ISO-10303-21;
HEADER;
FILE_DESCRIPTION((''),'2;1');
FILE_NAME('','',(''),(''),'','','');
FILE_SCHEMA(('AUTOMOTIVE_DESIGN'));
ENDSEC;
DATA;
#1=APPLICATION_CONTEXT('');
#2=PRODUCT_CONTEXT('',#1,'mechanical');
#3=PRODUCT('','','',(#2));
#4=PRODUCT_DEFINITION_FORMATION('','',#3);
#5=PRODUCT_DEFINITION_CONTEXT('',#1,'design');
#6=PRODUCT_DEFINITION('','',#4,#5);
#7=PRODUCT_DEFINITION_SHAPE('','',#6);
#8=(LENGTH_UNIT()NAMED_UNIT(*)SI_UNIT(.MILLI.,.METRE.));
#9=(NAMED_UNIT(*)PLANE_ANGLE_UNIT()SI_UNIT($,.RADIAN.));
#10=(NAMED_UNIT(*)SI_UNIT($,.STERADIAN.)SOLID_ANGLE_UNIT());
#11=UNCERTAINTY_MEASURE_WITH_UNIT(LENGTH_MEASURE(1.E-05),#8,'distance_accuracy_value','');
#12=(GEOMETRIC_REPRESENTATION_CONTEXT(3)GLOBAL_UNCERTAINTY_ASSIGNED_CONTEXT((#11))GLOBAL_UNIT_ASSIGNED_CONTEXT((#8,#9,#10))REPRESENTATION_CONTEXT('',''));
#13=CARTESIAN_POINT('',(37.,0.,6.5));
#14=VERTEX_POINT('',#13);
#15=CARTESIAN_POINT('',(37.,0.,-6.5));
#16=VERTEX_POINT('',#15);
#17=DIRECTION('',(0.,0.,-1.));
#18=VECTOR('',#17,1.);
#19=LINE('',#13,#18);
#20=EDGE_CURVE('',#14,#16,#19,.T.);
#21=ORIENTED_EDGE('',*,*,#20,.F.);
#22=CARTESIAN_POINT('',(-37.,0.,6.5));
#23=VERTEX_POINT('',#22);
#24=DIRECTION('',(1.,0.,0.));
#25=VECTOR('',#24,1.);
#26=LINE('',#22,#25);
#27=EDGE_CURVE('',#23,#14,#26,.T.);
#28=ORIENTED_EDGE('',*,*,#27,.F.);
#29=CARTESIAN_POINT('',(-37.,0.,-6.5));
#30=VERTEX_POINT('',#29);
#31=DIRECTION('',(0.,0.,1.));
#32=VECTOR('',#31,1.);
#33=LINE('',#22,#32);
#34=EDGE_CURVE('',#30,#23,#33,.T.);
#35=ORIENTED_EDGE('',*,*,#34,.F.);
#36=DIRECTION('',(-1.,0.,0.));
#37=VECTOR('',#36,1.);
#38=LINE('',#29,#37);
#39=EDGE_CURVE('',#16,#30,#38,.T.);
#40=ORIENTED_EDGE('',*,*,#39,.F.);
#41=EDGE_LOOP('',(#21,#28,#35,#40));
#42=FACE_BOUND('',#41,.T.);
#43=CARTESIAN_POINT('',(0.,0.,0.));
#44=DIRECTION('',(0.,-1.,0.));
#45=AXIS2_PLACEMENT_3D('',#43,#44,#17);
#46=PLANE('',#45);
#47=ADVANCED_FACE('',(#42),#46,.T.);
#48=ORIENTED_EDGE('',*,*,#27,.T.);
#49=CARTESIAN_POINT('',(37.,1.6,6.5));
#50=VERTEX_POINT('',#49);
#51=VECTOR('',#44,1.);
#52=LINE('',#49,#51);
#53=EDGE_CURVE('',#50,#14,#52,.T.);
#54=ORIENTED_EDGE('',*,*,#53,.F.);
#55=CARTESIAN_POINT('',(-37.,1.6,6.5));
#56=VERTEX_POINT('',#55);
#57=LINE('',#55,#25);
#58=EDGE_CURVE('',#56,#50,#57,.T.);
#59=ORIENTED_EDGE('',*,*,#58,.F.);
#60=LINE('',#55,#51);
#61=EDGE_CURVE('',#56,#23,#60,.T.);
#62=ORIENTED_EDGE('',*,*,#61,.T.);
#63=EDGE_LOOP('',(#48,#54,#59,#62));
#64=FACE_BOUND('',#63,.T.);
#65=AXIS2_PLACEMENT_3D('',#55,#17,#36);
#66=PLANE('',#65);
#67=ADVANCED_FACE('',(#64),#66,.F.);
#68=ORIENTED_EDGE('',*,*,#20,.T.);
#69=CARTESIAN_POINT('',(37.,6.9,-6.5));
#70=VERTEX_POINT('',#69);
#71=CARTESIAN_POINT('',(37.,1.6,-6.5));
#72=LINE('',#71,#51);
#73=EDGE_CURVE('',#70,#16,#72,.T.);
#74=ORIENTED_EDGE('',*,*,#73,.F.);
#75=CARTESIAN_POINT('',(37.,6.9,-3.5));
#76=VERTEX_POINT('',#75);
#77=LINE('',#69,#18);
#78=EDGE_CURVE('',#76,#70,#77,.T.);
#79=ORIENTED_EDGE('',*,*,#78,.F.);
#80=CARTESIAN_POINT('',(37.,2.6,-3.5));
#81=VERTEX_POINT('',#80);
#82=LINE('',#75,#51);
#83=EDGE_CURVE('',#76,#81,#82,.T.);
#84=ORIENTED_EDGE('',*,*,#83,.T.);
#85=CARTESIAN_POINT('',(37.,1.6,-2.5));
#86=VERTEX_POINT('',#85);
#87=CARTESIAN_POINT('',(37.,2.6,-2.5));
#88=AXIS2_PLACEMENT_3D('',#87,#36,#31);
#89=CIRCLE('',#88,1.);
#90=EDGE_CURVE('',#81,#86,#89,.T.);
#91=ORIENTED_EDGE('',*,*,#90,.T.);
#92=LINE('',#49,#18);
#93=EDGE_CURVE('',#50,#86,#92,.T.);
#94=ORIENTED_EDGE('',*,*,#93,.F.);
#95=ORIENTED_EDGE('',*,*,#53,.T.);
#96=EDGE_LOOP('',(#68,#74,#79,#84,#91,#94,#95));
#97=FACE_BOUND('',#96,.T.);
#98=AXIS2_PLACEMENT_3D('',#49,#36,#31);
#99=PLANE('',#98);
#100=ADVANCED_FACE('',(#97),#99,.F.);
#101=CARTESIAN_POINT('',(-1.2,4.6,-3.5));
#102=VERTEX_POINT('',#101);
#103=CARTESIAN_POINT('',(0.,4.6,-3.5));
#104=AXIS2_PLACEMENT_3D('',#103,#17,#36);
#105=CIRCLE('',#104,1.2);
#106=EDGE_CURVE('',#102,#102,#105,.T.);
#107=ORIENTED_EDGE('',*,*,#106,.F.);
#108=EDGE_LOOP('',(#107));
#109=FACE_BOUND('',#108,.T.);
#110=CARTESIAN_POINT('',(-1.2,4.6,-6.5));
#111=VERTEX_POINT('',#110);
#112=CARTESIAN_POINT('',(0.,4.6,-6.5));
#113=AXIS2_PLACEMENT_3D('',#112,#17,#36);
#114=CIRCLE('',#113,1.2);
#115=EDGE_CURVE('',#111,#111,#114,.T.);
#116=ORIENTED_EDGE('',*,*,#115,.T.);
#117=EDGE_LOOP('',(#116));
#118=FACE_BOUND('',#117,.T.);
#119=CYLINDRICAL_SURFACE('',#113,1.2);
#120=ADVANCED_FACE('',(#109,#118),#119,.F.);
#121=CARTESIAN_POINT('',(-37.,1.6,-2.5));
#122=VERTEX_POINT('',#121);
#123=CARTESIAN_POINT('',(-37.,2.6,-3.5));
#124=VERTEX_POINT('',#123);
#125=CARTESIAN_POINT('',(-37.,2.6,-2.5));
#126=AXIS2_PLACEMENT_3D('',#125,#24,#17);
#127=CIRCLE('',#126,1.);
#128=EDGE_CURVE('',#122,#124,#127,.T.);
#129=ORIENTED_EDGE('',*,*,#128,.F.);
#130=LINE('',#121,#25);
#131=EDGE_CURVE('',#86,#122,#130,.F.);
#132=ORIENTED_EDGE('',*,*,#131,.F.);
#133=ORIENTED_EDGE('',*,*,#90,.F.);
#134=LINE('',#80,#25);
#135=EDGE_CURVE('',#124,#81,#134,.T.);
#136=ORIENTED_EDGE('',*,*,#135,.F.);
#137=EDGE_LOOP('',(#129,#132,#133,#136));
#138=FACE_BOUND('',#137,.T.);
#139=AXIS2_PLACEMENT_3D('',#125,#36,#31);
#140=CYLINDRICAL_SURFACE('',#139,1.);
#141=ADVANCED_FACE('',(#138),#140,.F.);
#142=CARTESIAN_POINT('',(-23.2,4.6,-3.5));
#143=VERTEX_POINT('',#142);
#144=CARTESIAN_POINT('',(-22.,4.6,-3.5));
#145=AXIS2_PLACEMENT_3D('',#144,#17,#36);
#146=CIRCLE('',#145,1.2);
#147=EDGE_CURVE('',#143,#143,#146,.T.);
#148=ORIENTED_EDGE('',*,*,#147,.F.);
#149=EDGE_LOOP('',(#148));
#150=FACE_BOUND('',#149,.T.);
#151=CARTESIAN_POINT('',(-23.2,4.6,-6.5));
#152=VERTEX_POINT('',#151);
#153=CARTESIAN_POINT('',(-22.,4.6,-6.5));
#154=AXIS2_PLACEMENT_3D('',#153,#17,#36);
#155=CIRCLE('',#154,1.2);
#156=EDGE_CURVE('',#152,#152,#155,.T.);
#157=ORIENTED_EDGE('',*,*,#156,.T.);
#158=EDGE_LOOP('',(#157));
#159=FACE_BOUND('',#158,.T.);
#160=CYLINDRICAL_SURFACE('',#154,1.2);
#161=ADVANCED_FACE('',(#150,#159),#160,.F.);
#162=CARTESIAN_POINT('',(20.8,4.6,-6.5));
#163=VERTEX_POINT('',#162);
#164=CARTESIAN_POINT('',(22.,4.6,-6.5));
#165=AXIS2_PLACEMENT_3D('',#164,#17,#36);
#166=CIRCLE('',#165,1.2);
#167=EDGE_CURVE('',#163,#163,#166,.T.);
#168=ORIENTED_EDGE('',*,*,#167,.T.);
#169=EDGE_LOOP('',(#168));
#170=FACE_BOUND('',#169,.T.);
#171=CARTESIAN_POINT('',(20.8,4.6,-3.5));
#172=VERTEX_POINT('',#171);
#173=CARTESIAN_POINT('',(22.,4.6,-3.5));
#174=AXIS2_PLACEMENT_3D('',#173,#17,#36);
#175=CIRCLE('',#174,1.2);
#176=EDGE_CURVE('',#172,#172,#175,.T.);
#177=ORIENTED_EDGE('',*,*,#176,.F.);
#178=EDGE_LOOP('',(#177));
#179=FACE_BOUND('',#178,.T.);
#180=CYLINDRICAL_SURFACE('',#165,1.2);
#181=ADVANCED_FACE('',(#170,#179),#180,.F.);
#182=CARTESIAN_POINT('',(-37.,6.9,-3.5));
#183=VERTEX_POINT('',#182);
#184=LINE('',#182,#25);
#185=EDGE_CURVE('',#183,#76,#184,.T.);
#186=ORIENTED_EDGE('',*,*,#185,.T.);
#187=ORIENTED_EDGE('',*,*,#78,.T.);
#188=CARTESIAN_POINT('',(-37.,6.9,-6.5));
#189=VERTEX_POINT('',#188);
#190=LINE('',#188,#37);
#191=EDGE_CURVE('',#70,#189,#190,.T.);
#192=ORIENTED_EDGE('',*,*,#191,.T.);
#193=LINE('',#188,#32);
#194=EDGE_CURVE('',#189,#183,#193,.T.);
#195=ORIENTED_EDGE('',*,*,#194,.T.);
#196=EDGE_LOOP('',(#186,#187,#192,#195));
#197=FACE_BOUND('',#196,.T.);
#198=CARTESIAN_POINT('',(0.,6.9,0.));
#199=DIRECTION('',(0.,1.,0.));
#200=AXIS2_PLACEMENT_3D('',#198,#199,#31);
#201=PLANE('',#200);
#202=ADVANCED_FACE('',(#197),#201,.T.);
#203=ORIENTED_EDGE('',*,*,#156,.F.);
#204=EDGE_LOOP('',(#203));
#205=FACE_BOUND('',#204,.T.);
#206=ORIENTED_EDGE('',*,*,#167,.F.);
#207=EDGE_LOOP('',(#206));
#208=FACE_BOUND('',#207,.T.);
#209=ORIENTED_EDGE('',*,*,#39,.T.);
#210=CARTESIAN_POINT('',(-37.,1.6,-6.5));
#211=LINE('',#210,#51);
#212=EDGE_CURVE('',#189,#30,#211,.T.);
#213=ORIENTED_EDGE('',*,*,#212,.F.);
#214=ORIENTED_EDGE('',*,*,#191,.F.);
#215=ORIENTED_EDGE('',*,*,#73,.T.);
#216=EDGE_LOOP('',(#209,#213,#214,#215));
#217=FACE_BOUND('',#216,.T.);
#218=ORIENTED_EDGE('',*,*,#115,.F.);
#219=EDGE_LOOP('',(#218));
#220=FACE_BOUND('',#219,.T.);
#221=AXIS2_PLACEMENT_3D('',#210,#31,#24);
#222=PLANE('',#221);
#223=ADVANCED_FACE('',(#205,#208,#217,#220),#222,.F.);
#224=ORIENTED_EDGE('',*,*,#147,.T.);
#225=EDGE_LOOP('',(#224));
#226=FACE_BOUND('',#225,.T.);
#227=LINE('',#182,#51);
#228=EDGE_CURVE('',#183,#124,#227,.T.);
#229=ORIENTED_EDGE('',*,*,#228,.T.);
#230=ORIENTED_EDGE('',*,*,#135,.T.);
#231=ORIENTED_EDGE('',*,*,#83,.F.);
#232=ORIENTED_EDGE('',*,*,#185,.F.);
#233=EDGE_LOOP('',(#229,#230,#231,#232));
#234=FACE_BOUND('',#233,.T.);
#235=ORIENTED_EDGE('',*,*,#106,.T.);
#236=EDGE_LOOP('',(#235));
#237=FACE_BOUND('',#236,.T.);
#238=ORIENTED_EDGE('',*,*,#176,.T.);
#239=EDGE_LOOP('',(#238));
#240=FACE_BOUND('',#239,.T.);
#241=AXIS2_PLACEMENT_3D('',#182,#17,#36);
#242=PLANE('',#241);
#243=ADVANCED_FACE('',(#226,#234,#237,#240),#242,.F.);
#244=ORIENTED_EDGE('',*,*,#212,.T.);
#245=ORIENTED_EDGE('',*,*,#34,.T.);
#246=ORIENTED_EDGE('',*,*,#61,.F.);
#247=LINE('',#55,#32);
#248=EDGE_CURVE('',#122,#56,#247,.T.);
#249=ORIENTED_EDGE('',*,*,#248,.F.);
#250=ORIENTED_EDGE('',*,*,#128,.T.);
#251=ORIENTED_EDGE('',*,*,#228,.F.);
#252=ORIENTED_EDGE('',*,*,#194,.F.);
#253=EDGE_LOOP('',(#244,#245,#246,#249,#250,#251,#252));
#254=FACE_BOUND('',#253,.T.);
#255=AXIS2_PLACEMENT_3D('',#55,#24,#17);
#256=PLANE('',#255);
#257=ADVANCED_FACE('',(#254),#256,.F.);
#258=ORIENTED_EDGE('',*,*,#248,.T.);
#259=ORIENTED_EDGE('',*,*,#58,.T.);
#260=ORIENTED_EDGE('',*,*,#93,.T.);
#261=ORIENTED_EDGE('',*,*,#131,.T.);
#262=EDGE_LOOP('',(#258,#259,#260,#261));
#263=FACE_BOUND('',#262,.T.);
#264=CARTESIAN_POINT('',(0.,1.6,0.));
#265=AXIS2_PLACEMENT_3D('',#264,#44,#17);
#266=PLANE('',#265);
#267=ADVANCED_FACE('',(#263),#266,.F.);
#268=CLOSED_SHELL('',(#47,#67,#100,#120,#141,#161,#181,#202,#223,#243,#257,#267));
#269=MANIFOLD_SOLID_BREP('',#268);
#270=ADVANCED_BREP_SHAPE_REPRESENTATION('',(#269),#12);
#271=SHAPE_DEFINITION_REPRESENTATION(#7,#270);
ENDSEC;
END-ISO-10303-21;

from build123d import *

# Parameters (mm, degrees)
SKETCH1_W            = 74
SKETCH1_H            = 13
BOSS_EXTRUDE1_DEPTH  = 1.6
SKETCH2_W            = 74
SKETCH2_H            = 3
BOSS_EXTRUDE2_DEPTH  = 5.3
FILLET1_R            = 1
M2_CLEARANCE_HOLE1_D = 2.4


with BuildPart() as part:
    # Sketch1 → Boss-Extrude1 (new body)
    with BuildSketch(Plane(origin=(0, 0, 0), x_dir=(1, 0, 0), z_dir=(0, 1, 0))):
        Rectangle(SKETCH1_W, SKETCH1_H)
    extrude(amount=BOSS_EXTRUDE1_DEPTH)

    # Sketch2 → Boss-Extrude2 (add)
    with BuildSketch(Plane(origin=(0, 1.6, 0), x_dir=(1, 0, 0), z_dir=(0, 1, 0))):
        with Locations((0, 5)):
            Rectangle(SKETCH2_W, SKETCH2_H)
    extrude(amount=BOSS_EXTRUDE2_DEPTH)

    # Fillet1
    fillet1_edges = [part.edges().sort_by_distance(p)[0] for p in [
        (0, 1.6, -3.5),
    ]]
    fillet(fillet1_edges, radius=FILLET1_R)

    # M2 Clearance Hole1 (through all)
    with Locations(Plane(origin=(-22, 4.6, -6.5), x_dir=(-1, 0, 0), z_dir=(0, 0, -1))):
        with Locations((0, 0), (-22, 0), (-44, 0)):
            Hole(M2_CLEARANCE_HOLE1_D / 2)


solid = part.part
